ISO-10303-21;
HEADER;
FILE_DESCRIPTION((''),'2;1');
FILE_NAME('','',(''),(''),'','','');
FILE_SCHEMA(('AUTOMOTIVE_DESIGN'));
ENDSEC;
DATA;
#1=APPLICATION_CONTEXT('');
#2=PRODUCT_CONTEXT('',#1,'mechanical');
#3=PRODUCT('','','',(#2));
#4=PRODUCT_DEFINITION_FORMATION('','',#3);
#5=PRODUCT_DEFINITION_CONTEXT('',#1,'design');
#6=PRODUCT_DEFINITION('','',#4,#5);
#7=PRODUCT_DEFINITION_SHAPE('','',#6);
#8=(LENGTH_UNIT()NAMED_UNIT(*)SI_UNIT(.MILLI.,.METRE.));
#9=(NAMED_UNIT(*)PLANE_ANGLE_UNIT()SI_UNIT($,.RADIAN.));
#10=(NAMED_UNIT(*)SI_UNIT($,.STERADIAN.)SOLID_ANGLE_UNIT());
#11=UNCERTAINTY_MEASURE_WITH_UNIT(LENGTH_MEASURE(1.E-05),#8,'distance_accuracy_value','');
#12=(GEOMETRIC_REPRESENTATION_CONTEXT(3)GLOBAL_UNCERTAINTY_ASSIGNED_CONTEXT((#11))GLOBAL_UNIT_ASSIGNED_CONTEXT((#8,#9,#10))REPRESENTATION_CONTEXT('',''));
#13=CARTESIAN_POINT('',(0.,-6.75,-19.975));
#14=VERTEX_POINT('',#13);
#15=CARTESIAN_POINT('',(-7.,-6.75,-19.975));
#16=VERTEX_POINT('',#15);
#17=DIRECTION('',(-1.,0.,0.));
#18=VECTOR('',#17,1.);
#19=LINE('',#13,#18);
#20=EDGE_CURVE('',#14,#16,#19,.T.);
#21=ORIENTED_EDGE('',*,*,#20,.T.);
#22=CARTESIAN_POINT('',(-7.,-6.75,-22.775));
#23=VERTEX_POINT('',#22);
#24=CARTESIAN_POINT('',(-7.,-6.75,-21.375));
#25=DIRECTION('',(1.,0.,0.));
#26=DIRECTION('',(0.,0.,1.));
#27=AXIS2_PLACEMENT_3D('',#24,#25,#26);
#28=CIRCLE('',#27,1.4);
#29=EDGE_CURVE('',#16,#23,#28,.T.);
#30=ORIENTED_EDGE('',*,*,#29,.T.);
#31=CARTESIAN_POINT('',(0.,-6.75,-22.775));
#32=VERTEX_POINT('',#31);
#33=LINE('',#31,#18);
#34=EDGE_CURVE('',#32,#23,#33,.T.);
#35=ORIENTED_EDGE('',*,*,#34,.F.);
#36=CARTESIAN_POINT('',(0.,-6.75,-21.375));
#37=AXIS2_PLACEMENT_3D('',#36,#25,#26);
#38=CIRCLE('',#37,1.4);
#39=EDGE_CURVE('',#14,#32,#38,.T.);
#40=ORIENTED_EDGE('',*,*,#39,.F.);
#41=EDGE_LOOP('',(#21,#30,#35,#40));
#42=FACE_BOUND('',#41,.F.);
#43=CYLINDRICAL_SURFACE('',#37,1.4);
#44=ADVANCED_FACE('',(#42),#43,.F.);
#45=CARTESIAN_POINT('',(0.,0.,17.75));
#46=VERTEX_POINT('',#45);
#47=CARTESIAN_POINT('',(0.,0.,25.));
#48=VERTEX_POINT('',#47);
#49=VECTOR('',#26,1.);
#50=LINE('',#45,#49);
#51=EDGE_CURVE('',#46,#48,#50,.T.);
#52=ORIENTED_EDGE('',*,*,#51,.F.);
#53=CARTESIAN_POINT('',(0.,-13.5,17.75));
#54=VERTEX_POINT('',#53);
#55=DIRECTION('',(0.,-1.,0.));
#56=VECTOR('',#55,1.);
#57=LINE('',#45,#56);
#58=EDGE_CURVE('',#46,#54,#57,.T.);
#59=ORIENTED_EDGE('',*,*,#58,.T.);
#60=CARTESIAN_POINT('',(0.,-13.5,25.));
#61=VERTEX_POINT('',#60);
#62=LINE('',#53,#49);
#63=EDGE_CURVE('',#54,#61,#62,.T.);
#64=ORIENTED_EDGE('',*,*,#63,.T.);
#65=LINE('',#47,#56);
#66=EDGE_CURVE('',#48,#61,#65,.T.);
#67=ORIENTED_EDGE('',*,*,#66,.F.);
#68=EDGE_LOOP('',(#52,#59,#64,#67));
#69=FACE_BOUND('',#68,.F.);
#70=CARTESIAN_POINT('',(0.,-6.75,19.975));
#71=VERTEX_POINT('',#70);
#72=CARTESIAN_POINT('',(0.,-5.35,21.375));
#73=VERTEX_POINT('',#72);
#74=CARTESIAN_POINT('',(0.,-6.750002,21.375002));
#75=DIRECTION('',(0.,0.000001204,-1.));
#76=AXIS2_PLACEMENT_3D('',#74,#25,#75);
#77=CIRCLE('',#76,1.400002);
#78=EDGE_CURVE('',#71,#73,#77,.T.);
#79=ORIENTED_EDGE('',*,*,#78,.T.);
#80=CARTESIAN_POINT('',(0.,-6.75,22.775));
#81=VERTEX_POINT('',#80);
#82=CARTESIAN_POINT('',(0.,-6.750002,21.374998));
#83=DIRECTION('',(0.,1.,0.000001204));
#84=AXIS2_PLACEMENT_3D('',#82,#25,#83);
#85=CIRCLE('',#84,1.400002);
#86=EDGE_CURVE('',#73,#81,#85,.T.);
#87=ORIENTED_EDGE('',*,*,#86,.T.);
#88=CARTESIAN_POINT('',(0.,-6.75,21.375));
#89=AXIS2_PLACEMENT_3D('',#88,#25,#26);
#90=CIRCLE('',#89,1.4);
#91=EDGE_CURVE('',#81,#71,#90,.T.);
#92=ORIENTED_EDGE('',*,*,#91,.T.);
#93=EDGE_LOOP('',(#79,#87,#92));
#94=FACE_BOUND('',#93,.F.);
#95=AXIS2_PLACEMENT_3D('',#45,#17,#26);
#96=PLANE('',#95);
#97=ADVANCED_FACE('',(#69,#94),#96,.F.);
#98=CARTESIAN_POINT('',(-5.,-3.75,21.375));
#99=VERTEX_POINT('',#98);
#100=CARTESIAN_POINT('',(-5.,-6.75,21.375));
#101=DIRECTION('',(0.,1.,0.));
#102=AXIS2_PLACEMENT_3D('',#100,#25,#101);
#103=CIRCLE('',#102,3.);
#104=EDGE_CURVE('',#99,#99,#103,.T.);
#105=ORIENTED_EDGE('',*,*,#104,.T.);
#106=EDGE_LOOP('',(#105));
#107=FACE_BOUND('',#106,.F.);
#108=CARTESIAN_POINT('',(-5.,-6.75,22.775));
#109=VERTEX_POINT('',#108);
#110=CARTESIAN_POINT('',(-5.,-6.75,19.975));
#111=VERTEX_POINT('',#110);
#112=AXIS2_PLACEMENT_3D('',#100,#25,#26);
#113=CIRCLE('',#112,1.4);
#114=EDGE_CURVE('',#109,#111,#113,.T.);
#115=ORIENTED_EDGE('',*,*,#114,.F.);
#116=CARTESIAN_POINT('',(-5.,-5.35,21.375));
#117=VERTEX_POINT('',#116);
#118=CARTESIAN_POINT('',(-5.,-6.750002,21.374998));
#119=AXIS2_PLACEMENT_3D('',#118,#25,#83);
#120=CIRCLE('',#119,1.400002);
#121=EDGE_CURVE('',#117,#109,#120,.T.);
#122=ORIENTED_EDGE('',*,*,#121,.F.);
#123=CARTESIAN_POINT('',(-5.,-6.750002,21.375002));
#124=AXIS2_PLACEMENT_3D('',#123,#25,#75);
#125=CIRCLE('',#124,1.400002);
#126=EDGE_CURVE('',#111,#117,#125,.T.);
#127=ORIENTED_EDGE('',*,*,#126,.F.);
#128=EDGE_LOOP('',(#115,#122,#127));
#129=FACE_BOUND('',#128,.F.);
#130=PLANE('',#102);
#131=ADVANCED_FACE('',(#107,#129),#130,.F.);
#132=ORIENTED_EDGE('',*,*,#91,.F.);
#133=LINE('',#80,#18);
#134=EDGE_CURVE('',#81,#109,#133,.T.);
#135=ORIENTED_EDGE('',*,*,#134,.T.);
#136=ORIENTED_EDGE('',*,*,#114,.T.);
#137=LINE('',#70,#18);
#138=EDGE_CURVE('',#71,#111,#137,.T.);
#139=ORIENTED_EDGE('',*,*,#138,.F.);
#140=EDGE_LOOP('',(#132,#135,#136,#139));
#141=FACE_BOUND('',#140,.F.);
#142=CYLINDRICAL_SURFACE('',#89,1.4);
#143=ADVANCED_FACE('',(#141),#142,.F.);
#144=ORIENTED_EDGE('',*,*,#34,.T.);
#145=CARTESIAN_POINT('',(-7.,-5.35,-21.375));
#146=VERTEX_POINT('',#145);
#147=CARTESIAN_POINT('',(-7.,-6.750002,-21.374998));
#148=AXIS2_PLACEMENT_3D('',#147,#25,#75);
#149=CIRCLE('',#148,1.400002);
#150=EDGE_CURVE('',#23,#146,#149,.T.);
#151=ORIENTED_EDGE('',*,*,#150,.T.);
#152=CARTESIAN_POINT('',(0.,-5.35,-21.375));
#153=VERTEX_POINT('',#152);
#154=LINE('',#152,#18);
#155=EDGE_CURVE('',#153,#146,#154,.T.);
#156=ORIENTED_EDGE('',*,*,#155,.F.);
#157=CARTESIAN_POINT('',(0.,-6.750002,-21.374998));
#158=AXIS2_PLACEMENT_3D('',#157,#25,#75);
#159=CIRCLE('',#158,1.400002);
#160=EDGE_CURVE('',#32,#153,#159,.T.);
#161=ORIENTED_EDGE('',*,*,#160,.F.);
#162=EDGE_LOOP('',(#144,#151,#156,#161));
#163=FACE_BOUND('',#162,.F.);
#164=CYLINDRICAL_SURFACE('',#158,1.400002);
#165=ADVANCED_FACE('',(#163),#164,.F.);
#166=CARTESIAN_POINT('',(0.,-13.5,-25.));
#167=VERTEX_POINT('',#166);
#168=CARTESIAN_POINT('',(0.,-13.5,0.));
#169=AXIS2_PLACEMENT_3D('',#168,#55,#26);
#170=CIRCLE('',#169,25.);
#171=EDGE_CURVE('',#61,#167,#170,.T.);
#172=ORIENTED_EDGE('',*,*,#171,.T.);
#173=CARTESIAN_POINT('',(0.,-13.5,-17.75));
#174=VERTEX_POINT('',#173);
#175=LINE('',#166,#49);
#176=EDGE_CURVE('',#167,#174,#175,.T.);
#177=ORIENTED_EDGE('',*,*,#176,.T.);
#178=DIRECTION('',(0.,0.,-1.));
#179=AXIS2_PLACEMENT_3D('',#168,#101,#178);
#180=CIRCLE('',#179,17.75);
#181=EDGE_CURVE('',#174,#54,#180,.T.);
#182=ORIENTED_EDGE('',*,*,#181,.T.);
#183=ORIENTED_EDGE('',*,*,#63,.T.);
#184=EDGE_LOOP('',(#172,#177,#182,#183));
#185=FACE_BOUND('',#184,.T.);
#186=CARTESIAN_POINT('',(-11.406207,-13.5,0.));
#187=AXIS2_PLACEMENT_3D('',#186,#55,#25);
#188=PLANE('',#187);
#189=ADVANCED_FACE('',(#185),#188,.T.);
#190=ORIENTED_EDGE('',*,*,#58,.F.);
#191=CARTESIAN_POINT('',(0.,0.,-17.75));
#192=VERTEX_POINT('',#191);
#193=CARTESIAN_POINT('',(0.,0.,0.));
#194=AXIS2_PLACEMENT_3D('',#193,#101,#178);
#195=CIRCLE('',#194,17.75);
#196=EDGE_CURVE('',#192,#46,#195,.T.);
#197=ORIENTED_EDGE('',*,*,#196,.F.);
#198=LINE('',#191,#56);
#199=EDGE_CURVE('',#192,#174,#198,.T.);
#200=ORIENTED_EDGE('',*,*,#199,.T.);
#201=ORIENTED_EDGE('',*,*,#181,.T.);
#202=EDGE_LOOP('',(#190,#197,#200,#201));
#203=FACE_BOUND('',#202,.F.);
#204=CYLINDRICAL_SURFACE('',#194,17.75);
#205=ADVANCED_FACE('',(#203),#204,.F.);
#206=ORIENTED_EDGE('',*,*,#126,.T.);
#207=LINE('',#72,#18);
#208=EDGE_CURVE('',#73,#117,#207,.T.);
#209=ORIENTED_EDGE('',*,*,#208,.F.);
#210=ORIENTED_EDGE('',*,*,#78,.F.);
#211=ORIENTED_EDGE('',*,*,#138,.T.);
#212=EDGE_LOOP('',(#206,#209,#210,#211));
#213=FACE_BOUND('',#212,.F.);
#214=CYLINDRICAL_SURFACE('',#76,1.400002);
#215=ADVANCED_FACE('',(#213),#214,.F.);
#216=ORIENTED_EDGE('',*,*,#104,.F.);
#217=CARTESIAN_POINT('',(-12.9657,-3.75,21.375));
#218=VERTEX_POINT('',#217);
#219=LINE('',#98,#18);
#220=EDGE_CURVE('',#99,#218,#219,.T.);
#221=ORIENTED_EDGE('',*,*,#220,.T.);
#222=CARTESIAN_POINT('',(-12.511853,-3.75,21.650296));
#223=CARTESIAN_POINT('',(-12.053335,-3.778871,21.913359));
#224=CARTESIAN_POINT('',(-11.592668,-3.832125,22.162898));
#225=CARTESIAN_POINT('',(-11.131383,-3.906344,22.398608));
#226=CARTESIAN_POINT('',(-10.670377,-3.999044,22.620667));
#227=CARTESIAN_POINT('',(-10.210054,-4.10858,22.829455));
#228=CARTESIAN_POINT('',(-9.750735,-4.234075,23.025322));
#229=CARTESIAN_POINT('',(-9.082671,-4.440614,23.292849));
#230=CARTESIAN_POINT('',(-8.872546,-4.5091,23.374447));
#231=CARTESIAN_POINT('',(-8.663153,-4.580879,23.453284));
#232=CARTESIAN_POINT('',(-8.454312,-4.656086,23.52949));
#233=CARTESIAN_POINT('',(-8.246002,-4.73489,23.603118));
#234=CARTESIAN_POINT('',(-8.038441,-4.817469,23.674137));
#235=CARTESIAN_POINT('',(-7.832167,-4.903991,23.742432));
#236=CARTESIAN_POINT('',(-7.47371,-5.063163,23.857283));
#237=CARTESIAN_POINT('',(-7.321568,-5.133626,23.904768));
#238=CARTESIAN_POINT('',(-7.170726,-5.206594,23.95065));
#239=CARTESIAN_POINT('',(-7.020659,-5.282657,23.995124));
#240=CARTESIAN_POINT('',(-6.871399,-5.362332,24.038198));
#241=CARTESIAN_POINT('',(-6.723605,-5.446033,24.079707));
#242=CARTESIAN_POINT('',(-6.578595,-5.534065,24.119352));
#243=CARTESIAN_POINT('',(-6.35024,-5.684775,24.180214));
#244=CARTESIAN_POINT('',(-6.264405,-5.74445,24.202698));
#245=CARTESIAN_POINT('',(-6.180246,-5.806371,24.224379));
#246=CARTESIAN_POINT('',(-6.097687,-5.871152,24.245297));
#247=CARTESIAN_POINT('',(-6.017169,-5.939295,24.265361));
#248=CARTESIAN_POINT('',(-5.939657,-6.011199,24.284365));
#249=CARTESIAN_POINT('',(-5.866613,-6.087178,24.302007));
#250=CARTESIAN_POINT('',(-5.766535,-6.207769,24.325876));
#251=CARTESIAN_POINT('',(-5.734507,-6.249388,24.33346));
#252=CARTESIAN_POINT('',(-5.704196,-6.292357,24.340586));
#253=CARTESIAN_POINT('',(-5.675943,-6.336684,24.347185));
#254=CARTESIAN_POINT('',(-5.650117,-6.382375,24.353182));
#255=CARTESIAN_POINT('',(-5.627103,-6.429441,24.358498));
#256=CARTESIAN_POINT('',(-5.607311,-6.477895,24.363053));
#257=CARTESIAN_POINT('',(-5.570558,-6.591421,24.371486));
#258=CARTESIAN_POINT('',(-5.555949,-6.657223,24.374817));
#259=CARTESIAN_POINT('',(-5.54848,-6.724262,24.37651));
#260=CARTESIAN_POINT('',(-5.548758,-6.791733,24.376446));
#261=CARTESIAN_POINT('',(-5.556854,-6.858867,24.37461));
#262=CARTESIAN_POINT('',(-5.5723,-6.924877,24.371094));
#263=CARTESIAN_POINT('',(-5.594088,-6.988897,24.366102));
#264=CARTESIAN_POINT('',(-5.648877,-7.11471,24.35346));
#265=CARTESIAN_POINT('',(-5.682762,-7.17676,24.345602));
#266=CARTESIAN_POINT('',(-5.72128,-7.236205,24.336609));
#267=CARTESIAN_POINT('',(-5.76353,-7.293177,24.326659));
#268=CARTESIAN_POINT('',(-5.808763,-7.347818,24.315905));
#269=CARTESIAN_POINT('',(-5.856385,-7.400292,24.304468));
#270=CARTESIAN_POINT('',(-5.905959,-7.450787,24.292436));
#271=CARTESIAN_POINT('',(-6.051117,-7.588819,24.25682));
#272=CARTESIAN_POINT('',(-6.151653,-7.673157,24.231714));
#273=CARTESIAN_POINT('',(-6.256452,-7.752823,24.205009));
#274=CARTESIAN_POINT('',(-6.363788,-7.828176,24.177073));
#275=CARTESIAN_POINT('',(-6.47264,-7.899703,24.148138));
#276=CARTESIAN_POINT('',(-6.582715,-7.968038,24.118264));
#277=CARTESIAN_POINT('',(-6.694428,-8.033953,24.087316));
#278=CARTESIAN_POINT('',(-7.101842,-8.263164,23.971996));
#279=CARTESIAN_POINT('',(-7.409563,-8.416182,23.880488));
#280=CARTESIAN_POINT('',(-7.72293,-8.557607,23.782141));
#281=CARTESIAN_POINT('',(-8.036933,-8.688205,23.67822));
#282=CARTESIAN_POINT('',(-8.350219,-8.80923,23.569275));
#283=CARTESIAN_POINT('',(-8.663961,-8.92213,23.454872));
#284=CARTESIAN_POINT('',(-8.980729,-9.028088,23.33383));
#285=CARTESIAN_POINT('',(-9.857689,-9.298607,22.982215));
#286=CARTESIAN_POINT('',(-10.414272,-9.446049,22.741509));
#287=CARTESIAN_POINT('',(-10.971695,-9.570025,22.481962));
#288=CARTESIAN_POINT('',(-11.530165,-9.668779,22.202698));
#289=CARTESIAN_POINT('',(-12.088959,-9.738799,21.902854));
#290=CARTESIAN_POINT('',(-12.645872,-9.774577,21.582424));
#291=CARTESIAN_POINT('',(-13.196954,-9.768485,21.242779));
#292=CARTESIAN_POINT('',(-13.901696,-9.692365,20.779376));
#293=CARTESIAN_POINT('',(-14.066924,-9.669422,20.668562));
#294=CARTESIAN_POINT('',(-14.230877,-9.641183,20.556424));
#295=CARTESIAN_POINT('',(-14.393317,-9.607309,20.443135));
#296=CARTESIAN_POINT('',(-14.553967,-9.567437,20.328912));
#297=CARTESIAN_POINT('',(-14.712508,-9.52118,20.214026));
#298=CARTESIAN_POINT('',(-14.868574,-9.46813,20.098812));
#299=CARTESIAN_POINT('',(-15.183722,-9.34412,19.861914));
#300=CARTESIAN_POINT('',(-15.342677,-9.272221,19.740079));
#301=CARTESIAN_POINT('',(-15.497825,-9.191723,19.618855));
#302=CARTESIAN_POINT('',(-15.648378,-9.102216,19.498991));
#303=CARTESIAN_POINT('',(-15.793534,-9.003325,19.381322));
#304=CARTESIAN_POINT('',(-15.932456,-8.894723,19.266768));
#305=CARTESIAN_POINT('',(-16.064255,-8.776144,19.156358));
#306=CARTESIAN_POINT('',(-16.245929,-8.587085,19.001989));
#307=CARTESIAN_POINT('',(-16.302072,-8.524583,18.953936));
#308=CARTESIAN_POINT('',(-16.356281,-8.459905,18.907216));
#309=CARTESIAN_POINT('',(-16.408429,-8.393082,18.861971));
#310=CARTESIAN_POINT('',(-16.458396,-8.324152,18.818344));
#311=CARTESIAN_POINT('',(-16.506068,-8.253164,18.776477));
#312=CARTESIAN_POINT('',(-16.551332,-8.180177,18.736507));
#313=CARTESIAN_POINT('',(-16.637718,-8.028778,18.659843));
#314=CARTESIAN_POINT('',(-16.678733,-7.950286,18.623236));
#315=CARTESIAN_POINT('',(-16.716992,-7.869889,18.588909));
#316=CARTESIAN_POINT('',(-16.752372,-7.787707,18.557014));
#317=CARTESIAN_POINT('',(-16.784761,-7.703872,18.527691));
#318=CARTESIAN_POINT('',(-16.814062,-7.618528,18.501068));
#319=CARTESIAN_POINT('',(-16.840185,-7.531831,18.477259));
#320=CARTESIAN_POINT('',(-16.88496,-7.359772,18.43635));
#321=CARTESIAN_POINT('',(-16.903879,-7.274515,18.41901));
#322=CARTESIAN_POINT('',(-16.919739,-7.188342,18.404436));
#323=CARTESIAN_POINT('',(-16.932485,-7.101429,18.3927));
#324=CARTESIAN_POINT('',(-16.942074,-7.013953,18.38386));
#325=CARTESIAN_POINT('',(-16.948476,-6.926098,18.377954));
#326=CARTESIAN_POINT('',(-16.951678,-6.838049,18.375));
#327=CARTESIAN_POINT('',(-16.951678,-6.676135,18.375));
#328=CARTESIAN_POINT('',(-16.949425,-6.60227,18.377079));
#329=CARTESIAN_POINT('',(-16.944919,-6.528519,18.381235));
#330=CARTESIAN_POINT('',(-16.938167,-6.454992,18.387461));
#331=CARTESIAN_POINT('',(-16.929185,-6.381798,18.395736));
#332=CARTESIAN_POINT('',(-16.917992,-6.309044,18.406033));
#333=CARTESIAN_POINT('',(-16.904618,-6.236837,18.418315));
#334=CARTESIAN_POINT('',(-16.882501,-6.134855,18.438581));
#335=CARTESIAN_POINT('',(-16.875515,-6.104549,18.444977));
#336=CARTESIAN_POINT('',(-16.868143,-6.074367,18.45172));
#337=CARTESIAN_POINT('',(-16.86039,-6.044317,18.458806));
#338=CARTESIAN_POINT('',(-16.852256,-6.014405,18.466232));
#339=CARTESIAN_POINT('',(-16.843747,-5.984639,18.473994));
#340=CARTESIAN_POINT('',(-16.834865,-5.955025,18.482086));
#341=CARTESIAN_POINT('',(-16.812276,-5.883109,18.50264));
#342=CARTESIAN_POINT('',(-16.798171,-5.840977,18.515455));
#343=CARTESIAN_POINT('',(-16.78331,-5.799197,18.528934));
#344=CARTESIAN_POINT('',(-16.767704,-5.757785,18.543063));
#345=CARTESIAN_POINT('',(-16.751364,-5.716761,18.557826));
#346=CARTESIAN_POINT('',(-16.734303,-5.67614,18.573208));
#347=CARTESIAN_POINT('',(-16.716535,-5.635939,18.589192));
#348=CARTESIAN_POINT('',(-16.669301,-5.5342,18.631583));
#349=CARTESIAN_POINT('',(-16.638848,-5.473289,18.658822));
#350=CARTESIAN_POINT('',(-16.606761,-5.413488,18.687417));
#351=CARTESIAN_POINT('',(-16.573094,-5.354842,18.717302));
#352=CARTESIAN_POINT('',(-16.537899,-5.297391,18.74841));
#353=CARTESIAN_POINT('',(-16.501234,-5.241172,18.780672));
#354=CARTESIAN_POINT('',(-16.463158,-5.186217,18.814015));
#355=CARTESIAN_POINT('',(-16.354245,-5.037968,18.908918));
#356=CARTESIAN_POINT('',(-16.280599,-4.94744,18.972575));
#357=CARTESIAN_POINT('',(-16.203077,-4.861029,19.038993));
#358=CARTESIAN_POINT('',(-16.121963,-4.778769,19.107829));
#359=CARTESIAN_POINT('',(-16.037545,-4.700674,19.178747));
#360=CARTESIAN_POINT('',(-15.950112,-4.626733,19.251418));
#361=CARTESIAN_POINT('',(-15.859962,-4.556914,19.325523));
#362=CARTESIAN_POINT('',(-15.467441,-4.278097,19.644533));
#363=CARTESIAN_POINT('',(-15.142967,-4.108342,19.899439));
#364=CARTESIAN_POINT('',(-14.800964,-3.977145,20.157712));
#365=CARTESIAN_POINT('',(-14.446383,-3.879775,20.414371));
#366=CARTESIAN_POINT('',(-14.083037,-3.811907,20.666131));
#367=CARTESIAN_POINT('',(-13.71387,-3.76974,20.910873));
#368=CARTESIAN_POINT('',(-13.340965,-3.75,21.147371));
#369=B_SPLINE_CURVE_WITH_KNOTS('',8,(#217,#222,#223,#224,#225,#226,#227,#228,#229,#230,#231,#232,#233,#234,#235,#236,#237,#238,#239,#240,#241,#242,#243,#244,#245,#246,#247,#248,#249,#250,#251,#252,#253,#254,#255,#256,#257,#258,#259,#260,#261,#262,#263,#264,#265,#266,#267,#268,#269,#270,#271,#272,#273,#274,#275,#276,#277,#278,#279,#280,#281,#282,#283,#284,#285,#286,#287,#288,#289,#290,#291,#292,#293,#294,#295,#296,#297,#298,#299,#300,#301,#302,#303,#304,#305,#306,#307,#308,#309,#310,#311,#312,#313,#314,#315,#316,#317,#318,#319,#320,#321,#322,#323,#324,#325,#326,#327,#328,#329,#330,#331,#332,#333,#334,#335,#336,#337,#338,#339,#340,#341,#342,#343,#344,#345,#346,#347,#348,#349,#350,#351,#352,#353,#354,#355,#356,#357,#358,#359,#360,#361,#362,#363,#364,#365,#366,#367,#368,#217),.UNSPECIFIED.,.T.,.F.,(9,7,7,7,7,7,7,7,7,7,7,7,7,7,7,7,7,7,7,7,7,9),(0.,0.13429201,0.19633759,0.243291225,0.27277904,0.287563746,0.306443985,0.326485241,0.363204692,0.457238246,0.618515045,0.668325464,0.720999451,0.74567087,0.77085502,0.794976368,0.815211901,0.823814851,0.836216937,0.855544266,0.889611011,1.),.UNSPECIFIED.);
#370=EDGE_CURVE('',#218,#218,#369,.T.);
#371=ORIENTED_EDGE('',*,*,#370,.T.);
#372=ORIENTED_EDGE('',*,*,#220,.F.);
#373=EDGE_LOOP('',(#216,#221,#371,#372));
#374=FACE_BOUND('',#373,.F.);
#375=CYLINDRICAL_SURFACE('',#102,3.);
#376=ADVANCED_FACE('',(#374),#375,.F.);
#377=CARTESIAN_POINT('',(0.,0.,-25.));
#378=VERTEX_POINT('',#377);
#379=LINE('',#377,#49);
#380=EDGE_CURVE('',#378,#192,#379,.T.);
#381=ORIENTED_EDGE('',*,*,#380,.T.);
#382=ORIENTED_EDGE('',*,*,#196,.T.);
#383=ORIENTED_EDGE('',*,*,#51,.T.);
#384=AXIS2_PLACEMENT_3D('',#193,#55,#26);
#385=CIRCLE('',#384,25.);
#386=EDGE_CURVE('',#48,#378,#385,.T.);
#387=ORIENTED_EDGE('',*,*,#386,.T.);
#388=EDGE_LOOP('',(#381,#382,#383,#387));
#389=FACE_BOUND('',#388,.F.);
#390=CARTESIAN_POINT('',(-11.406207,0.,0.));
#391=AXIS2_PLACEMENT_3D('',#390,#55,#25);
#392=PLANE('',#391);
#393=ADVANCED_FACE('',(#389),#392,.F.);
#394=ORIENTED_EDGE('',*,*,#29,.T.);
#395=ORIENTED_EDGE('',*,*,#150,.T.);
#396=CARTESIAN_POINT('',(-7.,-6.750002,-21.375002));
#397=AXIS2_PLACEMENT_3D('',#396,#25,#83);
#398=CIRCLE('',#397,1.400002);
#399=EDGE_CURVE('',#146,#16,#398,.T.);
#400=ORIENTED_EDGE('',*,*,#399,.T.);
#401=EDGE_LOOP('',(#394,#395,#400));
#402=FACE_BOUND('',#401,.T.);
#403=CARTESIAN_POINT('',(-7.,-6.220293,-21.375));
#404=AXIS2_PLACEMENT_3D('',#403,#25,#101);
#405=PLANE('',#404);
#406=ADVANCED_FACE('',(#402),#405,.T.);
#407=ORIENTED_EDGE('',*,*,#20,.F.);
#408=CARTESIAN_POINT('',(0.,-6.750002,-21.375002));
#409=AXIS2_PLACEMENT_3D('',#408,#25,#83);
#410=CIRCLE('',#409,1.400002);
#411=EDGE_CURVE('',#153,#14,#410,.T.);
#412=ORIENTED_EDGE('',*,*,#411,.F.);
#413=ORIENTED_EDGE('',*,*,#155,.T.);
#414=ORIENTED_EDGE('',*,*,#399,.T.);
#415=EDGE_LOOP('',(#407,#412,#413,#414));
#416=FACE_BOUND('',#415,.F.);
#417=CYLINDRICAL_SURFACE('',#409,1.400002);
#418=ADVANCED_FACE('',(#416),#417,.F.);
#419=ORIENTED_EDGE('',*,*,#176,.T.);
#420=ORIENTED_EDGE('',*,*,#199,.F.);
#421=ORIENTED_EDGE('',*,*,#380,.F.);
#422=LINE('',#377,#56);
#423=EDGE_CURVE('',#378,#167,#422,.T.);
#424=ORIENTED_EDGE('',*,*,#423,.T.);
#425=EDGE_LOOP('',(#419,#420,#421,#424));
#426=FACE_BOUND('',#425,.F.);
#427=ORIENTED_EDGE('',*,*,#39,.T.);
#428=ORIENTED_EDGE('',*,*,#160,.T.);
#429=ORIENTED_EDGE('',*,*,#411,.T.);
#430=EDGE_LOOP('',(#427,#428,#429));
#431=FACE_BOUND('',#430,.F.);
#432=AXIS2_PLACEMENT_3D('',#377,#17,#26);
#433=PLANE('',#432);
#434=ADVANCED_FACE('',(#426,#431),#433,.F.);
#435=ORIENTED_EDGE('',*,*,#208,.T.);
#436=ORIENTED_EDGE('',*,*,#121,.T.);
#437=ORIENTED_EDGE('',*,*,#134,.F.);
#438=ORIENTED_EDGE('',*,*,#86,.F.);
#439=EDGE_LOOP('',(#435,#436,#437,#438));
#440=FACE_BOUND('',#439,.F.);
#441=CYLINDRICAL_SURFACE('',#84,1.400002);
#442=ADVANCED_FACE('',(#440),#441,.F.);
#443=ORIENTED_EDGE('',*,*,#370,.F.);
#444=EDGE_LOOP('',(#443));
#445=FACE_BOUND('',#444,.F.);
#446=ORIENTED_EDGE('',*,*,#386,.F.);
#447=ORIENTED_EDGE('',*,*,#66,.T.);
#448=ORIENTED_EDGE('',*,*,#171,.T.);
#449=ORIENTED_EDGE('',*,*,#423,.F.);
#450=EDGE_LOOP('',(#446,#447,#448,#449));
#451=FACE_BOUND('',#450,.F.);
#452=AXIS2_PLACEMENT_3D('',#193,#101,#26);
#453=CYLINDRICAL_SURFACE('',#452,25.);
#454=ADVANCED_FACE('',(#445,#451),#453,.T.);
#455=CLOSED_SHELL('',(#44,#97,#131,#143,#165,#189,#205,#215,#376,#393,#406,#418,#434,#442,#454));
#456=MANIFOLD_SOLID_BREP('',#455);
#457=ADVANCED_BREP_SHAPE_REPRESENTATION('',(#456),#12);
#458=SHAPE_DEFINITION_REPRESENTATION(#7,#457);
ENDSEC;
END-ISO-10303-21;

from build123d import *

# Parameters (mm, degrees)
F1_DEPTH = 13.5
F3_DEPTH = 5
F4_R     = 3
F5_DEPTH = 25
F7_DEPTH = 7


with BuildPart() as f1:
    # F0 (on Front) → F1 (new body)
    with BuildSketch(Plane.XZ):
        with BuildLine():
            ThreePointArc((0, -17.75), (-17.75, 0), (0, 17.75))
            Line((0, 17.75), (0, 25))
            ThreePointArc((0, 25), (-25, 0), (0, -25))
            Line((0, -25), (0, -17.75))
        make_face()
    extrude(amount=F1_DEPTH)

    # F2 (on face) → F3 (cut)
    with BuildSketch(Plane.YZ):
        with BuildLine():
            ThreePointArc((-5.35, 21.375), (-5.760051, 22.364949), (-6.75, 22.775))
            Line((-6.75, 22.775), (-6.75, 19.975))
            ThreePointArc((-6.75, 19.975), (-5.760051, 20.385051), (-5.35, 21.375))
        make_face()
        with BuildLine():
            Line((-6.75, 19.975), (-6.75, 22.775))
            ThreePointArc((-6.75, 22.775), (-8.15, 21.375), (-6.75, 19.975))
        make_face()
    extrude(amount=-F3_DEPTH, mode=Mode.SUBTRACT)

    # F4 (on face) → F5 (cut)
    with BuildSketch(Plane.YZ.offset(-5)):
        with Locations((-6.75, 21.375)):
            Circle(F4_R)
    extrude(amount=-F5_DEPTH, mode=Mode.SUBTRACT)

    # F6 (on face) → F7 (cut)
    with BuildSketch(Plane.YZ):
        with BuildLine():
            ThreePointArc((-5.35, -21.375), (-5.760051, -20.385051), (-6.75, -19.975))
            Line((-6.75, -19.975), (-6.75, -22.775))
            ThreePointArc((-6.75, -22.775), (-5.760051, -22.364949), (-5.35, -21.375))
        make_face()
        with BuildLine():
            Line((-6.75, -22.775), (-6.75, -19.975))
            ThreePointArc((-6.75, -19.975), (-8.15, -21.375), (-6.75, -22.775))
        make_face()
    extrude(amount=-F7_DEPTH, mode=Mode.SUBTRACT)


solid = f1.part
